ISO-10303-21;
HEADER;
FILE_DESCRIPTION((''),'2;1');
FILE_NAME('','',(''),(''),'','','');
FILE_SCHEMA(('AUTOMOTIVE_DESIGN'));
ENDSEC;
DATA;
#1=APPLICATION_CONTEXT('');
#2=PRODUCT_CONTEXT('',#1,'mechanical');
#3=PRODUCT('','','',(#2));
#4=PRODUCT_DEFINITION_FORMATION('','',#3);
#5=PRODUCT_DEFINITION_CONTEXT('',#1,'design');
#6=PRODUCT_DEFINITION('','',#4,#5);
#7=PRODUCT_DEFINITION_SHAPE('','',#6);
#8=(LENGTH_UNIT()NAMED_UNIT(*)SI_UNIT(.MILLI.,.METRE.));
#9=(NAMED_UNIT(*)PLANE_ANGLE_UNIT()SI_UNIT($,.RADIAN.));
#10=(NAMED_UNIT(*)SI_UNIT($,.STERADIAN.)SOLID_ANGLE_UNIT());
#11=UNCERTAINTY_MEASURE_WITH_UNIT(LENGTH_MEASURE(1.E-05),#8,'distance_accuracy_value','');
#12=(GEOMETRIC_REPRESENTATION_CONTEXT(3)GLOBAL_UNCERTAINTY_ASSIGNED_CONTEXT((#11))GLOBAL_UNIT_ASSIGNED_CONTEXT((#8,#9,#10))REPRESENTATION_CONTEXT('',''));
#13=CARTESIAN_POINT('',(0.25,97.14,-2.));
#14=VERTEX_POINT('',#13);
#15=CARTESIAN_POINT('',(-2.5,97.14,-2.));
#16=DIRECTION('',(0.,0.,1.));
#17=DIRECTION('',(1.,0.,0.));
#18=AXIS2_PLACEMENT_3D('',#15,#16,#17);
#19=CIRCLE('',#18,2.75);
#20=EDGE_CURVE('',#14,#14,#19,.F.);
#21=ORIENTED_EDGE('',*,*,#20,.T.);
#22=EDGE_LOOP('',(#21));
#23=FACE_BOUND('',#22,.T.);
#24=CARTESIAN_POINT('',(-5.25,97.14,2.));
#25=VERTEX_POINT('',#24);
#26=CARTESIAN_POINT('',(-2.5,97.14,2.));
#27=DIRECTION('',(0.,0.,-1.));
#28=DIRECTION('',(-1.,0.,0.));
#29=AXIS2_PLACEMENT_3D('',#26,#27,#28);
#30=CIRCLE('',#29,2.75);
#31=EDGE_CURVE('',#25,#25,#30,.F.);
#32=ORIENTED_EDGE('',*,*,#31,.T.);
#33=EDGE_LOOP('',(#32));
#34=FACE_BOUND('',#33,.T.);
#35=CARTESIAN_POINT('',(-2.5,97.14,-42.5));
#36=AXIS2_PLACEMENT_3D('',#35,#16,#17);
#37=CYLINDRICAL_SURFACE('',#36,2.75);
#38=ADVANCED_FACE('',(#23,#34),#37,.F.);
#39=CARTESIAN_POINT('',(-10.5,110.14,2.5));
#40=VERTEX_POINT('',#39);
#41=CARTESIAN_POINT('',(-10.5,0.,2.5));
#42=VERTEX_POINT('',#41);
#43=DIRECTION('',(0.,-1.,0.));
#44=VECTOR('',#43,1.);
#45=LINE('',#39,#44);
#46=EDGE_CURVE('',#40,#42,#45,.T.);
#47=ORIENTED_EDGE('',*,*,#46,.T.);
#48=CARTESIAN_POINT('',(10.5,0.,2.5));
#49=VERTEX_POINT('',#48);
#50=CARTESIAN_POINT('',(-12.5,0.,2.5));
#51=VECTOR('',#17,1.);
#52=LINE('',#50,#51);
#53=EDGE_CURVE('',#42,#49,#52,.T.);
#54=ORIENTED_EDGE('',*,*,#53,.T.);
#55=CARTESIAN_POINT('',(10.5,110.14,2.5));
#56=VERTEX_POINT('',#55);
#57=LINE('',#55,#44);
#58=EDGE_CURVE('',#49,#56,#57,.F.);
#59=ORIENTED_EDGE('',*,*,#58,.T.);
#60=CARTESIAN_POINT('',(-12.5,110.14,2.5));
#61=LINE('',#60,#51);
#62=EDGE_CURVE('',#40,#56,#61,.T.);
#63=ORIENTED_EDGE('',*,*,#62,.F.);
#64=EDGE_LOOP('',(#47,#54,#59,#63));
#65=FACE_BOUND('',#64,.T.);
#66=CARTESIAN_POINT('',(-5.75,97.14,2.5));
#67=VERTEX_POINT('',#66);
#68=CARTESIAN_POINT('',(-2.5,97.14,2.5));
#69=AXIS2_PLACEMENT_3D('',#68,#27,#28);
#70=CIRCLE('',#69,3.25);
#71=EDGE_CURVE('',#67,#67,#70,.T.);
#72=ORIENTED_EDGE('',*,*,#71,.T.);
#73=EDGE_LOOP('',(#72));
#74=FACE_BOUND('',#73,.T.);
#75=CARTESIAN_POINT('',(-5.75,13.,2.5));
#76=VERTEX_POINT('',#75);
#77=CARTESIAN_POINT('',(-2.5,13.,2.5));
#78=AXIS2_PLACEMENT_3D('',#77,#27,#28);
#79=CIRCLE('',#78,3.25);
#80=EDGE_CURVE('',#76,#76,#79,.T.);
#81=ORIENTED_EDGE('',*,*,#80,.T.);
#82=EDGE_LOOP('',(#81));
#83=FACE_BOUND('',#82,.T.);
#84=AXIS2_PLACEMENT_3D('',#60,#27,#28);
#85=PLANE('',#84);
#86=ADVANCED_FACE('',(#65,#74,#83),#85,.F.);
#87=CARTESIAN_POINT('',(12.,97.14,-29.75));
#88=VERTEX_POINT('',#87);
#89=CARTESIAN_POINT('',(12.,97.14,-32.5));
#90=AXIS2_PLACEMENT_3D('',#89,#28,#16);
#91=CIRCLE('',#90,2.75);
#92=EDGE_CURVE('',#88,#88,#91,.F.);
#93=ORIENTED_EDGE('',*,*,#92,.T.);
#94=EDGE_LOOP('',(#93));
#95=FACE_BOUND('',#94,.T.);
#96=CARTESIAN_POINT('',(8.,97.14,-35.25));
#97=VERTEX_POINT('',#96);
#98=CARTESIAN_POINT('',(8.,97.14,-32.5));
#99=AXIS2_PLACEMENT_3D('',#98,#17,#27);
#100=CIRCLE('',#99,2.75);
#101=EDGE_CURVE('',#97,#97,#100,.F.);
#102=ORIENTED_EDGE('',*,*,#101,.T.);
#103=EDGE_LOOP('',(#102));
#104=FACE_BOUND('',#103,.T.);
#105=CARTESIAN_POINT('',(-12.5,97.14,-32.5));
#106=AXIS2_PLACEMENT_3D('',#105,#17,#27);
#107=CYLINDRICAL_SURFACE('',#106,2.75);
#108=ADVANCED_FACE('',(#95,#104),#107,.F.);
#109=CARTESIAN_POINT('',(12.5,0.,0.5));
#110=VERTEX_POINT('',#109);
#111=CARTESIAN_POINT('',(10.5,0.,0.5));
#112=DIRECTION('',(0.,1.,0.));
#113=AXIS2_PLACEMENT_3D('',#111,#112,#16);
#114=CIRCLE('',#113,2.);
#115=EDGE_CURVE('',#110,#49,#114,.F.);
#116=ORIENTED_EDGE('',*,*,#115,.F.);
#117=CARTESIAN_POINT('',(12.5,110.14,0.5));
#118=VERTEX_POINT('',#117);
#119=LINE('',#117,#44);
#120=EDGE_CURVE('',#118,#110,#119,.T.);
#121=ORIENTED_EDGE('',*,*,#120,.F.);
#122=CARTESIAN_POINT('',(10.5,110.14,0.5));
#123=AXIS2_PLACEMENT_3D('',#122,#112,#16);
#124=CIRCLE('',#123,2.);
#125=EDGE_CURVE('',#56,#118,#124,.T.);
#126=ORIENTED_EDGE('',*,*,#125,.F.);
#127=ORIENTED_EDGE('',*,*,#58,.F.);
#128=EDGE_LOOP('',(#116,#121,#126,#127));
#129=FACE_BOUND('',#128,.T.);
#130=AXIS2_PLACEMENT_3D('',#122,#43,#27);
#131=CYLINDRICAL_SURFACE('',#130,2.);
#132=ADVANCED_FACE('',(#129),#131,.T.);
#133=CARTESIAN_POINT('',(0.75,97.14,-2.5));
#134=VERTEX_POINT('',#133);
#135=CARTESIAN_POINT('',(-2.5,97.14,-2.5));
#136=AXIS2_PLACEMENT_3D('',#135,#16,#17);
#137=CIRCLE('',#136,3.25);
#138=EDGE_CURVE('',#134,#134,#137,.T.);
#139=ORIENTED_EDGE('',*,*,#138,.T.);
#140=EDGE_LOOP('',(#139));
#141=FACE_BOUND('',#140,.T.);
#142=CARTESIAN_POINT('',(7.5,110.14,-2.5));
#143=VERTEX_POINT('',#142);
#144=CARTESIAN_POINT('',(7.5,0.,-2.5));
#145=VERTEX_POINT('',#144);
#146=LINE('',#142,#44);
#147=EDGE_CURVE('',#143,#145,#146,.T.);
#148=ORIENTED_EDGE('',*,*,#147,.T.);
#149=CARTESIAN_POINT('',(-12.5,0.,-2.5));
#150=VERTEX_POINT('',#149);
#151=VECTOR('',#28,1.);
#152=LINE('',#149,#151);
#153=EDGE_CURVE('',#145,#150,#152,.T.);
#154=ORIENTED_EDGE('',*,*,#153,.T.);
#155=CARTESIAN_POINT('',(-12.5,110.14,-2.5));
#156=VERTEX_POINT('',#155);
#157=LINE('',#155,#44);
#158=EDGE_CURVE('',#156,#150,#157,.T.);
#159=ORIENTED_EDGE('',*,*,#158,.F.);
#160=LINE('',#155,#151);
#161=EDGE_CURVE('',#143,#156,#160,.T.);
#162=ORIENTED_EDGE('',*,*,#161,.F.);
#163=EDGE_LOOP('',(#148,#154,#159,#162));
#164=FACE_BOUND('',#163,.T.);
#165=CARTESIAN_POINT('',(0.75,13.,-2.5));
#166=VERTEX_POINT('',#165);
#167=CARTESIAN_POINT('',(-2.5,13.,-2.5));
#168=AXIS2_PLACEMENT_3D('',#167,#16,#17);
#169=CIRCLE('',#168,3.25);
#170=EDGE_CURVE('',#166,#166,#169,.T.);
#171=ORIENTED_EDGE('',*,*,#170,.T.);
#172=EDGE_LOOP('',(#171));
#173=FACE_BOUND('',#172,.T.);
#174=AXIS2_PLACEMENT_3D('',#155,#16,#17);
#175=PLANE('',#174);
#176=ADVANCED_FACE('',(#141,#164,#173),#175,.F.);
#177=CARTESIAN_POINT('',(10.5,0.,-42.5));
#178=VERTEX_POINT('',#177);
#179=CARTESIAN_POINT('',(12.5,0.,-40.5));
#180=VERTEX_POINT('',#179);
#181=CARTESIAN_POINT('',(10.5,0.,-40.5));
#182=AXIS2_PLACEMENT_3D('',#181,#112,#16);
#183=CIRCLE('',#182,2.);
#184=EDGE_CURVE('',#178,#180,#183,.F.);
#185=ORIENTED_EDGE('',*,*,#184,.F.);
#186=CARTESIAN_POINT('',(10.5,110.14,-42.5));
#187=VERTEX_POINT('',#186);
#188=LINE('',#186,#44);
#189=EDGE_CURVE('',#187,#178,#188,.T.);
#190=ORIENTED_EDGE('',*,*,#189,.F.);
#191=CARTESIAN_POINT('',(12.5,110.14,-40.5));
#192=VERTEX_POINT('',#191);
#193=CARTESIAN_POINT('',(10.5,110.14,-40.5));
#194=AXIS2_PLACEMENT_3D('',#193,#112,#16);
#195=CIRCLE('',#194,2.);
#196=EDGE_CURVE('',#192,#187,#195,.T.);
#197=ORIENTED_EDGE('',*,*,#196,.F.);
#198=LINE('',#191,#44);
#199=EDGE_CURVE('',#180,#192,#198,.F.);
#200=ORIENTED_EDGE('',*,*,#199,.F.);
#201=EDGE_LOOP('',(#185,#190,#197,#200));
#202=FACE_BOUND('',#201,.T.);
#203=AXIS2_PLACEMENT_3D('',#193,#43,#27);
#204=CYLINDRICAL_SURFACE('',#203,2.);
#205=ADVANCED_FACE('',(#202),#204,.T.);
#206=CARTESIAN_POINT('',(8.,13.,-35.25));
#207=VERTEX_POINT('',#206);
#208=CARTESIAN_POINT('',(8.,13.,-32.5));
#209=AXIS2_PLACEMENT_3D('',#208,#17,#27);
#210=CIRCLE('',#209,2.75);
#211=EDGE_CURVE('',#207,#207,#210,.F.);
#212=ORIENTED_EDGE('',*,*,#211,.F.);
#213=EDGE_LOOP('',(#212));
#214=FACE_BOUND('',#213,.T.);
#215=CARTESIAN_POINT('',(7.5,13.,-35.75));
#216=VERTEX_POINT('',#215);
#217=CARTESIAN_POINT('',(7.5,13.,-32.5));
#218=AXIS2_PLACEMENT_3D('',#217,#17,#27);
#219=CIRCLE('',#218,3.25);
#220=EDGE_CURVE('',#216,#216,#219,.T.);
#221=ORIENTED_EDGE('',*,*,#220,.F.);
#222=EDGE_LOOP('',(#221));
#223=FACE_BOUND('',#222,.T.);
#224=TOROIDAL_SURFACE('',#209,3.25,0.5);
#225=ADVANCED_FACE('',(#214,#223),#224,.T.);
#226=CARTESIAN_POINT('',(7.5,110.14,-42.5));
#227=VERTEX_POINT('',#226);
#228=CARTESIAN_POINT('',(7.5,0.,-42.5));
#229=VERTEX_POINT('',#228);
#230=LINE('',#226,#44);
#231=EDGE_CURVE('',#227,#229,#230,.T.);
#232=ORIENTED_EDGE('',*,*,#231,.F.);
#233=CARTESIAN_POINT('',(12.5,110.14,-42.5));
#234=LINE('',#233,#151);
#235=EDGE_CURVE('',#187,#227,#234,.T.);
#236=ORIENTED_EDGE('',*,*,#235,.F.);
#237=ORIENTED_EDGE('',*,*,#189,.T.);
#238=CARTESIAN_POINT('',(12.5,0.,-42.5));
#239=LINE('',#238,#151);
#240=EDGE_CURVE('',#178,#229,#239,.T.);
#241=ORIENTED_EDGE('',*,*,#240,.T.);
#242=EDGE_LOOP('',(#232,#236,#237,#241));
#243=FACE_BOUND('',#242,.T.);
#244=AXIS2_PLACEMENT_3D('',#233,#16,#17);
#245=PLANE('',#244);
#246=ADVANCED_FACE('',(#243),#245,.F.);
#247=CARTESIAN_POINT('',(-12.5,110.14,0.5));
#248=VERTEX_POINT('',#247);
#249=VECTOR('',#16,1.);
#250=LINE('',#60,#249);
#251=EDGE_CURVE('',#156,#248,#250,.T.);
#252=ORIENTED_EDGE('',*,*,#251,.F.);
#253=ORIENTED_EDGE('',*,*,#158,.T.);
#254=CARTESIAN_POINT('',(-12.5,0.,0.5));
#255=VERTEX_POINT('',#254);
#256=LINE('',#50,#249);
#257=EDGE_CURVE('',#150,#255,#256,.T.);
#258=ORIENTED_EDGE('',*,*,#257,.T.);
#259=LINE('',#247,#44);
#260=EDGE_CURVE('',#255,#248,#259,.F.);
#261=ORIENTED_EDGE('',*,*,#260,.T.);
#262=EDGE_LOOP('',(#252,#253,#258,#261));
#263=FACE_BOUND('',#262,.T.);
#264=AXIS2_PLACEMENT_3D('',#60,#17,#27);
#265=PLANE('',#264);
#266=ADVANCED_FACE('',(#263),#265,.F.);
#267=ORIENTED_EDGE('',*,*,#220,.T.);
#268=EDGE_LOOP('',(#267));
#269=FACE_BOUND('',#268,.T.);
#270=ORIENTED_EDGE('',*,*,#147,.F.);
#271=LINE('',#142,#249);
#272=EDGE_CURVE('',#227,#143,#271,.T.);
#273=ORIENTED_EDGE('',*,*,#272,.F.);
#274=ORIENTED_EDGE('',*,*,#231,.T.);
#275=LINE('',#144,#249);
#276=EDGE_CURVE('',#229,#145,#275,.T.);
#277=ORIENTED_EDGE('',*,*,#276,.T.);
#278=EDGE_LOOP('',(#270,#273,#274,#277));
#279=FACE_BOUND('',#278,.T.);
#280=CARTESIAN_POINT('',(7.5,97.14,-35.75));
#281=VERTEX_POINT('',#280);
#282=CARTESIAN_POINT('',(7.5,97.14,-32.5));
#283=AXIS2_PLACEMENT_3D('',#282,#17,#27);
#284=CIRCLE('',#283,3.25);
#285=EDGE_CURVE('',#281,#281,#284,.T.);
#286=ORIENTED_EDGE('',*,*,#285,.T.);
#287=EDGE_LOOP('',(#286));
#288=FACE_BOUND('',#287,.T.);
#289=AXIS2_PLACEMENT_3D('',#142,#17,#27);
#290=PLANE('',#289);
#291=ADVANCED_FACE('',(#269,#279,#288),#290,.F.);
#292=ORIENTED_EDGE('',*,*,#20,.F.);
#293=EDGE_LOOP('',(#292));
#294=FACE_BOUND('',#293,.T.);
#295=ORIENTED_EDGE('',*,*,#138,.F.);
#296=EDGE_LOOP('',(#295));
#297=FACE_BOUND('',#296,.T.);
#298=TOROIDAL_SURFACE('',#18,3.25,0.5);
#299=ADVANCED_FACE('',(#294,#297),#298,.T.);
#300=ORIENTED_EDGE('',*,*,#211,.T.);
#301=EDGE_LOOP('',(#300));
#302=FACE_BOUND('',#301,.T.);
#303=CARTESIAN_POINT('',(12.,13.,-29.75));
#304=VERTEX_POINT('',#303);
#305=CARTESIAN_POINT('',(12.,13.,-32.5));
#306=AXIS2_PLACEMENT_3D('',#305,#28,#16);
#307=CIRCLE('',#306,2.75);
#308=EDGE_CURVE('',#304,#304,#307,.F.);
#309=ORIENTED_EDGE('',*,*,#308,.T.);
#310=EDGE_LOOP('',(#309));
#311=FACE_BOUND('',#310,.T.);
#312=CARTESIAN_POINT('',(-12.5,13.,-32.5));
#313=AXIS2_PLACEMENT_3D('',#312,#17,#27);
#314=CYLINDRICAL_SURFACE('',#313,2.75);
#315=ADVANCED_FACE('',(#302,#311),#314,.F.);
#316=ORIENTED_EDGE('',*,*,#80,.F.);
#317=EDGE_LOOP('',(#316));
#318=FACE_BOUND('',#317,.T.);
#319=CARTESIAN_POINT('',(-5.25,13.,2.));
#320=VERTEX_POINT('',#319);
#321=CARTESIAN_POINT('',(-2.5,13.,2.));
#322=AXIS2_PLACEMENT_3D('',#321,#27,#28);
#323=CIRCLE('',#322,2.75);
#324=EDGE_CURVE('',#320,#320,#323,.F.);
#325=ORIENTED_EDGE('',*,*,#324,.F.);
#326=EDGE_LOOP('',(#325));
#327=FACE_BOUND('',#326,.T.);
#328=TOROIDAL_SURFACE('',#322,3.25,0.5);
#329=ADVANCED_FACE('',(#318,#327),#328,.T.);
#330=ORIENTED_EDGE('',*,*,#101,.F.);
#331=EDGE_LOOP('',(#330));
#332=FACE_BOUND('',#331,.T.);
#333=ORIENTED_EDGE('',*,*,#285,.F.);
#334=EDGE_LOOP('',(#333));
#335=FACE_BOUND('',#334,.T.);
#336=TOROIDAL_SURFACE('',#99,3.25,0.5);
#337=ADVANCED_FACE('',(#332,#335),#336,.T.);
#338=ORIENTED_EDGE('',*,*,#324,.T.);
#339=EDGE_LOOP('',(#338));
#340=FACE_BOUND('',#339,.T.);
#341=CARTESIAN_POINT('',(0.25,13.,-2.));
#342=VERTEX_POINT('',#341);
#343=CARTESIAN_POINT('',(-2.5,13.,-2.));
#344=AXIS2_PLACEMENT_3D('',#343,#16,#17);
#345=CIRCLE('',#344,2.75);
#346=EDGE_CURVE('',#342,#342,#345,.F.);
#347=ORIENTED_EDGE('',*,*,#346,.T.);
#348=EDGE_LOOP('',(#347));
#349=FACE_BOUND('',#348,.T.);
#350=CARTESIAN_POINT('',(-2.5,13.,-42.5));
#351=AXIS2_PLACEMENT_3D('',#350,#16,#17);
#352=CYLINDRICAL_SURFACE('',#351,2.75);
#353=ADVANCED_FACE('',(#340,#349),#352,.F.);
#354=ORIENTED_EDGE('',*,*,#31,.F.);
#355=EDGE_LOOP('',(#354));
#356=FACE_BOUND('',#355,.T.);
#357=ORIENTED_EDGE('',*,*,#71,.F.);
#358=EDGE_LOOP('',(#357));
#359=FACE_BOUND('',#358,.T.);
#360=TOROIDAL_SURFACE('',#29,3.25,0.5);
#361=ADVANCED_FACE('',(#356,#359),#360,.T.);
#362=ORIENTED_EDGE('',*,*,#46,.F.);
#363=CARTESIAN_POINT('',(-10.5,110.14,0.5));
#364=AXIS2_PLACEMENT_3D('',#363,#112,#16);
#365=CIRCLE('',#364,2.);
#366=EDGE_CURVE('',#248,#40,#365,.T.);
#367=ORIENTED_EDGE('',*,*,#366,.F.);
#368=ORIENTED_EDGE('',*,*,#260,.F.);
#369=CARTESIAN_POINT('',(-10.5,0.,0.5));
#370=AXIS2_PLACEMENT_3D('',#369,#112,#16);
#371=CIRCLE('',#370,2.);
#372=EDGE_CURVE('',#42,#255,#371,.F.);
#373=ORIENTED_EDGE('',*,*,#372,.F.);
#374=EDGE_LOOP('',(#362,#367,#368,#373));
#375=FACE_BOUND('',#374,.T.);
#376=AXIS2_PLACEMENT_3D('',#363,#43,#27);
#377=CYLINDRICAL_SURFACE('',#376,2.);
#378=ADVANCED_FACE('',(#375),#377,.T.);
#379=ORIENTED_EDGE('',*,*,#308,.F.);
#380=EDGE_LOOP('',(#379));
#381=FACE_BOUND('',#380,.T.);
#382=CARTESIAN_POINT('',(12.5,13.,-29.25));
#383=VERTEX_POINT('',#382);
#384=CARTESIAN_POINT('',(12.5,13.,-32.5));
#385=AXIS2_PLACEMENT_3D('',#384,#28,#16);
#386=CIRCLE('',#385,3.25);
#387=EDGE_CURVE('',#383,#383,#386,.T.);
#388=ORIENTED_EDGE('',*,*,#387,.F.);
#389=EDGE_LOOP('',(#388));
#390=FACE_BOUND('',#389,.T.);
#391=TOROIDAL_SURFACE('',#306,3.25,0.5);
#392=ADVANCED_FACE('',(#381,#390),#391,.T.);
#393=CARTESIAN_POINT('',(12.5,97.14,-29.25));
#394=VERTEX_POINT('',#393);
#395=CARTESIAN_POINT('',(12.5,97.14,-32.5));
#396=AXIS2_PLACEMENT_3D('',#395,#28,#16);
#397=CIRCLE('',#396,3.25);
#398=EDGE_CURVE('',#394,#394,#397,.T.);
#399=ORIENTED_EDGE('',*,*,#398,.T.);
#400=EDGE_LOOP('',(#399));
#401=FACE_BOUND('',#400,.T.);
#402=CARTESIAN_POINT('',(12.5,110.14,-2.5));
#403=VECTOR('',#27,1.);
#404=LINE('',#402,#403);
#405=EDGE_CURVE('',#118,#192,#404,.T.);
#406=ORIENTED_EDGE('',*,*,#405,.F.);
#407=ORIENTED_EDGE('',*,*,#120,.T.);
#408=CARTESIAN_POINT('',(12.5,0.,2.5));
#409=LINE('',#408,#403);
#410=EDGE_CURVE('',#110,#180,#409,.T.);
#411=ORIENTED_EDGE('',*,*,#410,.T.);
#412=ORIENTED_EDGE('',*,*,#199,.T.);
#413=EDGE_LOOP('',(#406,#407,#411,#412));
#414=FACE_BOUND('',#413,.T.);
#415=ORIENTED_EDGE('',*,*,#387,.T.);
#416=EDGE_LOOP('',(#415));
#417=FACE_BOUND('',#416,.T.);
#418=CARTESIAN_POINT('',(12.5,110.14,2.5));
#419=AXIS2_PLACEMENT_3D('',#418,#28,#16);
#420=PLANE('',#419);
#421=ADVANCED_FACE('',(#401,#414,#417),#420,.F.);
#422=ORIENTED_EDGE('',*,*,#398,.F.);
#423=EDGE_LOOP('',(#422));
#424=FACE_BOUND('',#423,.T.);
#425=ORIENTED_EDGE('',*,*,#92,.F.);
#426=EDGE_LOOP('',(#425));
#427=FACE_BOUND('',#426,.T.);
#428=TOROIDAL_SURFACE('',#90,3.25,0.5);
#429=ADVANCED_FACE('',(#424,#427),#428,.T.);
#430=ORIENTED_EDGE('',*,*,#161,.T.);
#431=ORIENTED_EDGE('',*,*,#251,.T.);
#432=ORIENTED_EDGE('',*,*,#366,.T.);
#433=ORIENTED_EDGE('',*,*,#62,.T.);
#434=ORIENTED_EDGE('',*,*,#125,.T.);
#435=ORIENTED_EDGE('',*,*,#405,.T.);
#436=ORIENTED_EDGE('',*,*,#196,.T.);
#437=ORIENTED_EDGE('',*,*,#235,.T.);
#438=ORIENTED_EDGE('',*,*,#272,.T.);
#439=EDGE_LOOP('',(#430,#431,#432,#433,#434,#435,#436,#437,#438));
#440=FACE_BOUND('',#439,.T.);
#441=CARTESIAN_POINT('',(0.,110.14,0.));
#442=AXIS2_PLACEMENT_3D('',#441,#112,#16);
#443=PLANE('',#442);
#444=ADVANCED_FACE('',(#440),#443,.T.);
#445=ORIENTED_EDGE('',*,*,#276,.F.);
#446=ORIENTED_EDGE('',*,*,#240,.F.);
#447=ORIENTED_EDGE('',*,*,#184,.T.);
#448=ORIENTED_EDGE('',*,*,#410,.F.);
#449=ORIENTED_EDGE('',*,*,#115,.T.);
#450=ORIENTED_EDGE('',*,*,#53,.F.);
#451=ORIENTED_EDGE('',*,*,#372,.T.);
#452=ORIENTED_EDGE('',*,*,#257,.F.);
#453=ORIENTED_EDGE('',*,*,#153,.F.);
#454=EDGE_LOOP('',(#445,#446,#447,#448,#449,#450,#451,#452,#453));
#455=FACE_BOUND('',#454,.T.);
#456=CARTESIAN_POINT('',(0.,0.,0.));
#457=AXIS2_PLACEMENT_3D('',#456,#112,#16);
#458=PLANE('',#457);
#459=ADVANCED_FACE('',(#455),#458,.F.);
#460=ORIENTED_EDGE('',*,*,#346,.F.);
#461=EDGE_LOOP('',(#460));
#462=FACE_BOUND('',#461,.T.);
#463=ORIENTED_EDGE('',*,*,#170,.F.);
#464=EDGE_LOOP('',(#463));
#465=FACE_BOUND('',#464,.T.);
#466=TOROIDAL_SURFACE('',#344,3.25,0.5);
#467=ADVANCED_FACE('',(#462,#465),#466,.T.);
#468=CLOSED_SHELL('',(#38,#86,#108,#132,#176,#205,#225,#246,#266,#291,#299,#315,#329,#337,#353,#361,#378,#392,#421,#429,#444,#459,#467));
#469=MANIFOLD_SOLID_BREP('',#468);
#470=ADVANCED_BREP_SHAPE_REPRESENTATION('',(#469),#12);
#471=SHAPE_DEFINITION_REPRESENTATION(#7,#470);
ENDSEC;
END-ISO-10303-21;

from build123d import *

# Parameters (mm, degrees)
BOSS_EXTRUDE1_DEPTH = 110.14
SKETCH2_R           = 2.75
CUT_EXTRUDE1_DEPTH  = 46
SKETCH3_R           = 2.75
CUT_EXTRUDE2_DEPTH  = 26
FILLET1_R           = 0.5
FILLET2_R           = 2


with BuildPart() as part:
    # Sketch1 → Boss-Extrude1 (new body)
    with BuildSketch(Plane(origin=(0, 0, 0), x_dir=(1, 0, 0), z_dir=(0, 1, 0))):
        Polygon((-12.5, -2.5), (12.5, -2.5), (12.5, 2.5), (12.5, 42.5), (7.5, 42.5), (7.5, 2.5), (-12.5, 2.5), align=None)
    extrude(amount=BOSS_EXTRUDE1_DEPTH)

    # Sketch2 → Cut-Extrude1 (cut, through all)
    with BuildSketch(Plane.XY.offset(2.5)):
        with Locations((-2.5, 97.14)):
            Circle(SKETCH2_R)
        with Locations((-2.5, 13)):
            Circle(SKETCH2_R)
    extrude(amount=-CUT_EXTRUDE1_DEPTH, mode=Mode.SUBTRACT)

    # Sketch3 → Cut-Extrude2 (cut, through all)
    with BuildSketch(Plane(origin=(12.5, 0, 0), x_dir=(0, 0, -1), z_dir=(1, 0, 0))):
        with Locations((32.5, 97.14)):
            Circle(SKETCH3_R)
        with Locations((32.5, 13)):
            Circle(SKETCH3_R)
    extrude(amount=-CUT_EXTRUDE2_DEPTH, mode=Mode.SUBTRACT)

    # Fillet1
    fillet1_edges = [part.edges().sort_by_distance(p)[0] for p in [
        (-5.25, 13, -2.5),
        (-5.25, 13, 2.5),
        (-5.25, 97.14, -2.5),
        (-5.25, 97.14, 2.5),
        (7.5, 97.14, -29.75),
        (12.5, 97.14, -29.75),
        (7.5, 13, -29.75),
        (12.5, 13, -29.75),
    ]]
    fillet(fillet1_edges, radius=FILLET1_R)

    # Fillet2
    fillet2_edges = [part.edges().sort_by_distance(p)[0] for p in [
        (12.5, 55.07, 2.5),
        (-12.5, 55.07, 2.5),
        (12.5, 55.07, -42.5),
    ]]
    fillet(fillet2_edges, radius=FILLET2_R)


solid = part.part
